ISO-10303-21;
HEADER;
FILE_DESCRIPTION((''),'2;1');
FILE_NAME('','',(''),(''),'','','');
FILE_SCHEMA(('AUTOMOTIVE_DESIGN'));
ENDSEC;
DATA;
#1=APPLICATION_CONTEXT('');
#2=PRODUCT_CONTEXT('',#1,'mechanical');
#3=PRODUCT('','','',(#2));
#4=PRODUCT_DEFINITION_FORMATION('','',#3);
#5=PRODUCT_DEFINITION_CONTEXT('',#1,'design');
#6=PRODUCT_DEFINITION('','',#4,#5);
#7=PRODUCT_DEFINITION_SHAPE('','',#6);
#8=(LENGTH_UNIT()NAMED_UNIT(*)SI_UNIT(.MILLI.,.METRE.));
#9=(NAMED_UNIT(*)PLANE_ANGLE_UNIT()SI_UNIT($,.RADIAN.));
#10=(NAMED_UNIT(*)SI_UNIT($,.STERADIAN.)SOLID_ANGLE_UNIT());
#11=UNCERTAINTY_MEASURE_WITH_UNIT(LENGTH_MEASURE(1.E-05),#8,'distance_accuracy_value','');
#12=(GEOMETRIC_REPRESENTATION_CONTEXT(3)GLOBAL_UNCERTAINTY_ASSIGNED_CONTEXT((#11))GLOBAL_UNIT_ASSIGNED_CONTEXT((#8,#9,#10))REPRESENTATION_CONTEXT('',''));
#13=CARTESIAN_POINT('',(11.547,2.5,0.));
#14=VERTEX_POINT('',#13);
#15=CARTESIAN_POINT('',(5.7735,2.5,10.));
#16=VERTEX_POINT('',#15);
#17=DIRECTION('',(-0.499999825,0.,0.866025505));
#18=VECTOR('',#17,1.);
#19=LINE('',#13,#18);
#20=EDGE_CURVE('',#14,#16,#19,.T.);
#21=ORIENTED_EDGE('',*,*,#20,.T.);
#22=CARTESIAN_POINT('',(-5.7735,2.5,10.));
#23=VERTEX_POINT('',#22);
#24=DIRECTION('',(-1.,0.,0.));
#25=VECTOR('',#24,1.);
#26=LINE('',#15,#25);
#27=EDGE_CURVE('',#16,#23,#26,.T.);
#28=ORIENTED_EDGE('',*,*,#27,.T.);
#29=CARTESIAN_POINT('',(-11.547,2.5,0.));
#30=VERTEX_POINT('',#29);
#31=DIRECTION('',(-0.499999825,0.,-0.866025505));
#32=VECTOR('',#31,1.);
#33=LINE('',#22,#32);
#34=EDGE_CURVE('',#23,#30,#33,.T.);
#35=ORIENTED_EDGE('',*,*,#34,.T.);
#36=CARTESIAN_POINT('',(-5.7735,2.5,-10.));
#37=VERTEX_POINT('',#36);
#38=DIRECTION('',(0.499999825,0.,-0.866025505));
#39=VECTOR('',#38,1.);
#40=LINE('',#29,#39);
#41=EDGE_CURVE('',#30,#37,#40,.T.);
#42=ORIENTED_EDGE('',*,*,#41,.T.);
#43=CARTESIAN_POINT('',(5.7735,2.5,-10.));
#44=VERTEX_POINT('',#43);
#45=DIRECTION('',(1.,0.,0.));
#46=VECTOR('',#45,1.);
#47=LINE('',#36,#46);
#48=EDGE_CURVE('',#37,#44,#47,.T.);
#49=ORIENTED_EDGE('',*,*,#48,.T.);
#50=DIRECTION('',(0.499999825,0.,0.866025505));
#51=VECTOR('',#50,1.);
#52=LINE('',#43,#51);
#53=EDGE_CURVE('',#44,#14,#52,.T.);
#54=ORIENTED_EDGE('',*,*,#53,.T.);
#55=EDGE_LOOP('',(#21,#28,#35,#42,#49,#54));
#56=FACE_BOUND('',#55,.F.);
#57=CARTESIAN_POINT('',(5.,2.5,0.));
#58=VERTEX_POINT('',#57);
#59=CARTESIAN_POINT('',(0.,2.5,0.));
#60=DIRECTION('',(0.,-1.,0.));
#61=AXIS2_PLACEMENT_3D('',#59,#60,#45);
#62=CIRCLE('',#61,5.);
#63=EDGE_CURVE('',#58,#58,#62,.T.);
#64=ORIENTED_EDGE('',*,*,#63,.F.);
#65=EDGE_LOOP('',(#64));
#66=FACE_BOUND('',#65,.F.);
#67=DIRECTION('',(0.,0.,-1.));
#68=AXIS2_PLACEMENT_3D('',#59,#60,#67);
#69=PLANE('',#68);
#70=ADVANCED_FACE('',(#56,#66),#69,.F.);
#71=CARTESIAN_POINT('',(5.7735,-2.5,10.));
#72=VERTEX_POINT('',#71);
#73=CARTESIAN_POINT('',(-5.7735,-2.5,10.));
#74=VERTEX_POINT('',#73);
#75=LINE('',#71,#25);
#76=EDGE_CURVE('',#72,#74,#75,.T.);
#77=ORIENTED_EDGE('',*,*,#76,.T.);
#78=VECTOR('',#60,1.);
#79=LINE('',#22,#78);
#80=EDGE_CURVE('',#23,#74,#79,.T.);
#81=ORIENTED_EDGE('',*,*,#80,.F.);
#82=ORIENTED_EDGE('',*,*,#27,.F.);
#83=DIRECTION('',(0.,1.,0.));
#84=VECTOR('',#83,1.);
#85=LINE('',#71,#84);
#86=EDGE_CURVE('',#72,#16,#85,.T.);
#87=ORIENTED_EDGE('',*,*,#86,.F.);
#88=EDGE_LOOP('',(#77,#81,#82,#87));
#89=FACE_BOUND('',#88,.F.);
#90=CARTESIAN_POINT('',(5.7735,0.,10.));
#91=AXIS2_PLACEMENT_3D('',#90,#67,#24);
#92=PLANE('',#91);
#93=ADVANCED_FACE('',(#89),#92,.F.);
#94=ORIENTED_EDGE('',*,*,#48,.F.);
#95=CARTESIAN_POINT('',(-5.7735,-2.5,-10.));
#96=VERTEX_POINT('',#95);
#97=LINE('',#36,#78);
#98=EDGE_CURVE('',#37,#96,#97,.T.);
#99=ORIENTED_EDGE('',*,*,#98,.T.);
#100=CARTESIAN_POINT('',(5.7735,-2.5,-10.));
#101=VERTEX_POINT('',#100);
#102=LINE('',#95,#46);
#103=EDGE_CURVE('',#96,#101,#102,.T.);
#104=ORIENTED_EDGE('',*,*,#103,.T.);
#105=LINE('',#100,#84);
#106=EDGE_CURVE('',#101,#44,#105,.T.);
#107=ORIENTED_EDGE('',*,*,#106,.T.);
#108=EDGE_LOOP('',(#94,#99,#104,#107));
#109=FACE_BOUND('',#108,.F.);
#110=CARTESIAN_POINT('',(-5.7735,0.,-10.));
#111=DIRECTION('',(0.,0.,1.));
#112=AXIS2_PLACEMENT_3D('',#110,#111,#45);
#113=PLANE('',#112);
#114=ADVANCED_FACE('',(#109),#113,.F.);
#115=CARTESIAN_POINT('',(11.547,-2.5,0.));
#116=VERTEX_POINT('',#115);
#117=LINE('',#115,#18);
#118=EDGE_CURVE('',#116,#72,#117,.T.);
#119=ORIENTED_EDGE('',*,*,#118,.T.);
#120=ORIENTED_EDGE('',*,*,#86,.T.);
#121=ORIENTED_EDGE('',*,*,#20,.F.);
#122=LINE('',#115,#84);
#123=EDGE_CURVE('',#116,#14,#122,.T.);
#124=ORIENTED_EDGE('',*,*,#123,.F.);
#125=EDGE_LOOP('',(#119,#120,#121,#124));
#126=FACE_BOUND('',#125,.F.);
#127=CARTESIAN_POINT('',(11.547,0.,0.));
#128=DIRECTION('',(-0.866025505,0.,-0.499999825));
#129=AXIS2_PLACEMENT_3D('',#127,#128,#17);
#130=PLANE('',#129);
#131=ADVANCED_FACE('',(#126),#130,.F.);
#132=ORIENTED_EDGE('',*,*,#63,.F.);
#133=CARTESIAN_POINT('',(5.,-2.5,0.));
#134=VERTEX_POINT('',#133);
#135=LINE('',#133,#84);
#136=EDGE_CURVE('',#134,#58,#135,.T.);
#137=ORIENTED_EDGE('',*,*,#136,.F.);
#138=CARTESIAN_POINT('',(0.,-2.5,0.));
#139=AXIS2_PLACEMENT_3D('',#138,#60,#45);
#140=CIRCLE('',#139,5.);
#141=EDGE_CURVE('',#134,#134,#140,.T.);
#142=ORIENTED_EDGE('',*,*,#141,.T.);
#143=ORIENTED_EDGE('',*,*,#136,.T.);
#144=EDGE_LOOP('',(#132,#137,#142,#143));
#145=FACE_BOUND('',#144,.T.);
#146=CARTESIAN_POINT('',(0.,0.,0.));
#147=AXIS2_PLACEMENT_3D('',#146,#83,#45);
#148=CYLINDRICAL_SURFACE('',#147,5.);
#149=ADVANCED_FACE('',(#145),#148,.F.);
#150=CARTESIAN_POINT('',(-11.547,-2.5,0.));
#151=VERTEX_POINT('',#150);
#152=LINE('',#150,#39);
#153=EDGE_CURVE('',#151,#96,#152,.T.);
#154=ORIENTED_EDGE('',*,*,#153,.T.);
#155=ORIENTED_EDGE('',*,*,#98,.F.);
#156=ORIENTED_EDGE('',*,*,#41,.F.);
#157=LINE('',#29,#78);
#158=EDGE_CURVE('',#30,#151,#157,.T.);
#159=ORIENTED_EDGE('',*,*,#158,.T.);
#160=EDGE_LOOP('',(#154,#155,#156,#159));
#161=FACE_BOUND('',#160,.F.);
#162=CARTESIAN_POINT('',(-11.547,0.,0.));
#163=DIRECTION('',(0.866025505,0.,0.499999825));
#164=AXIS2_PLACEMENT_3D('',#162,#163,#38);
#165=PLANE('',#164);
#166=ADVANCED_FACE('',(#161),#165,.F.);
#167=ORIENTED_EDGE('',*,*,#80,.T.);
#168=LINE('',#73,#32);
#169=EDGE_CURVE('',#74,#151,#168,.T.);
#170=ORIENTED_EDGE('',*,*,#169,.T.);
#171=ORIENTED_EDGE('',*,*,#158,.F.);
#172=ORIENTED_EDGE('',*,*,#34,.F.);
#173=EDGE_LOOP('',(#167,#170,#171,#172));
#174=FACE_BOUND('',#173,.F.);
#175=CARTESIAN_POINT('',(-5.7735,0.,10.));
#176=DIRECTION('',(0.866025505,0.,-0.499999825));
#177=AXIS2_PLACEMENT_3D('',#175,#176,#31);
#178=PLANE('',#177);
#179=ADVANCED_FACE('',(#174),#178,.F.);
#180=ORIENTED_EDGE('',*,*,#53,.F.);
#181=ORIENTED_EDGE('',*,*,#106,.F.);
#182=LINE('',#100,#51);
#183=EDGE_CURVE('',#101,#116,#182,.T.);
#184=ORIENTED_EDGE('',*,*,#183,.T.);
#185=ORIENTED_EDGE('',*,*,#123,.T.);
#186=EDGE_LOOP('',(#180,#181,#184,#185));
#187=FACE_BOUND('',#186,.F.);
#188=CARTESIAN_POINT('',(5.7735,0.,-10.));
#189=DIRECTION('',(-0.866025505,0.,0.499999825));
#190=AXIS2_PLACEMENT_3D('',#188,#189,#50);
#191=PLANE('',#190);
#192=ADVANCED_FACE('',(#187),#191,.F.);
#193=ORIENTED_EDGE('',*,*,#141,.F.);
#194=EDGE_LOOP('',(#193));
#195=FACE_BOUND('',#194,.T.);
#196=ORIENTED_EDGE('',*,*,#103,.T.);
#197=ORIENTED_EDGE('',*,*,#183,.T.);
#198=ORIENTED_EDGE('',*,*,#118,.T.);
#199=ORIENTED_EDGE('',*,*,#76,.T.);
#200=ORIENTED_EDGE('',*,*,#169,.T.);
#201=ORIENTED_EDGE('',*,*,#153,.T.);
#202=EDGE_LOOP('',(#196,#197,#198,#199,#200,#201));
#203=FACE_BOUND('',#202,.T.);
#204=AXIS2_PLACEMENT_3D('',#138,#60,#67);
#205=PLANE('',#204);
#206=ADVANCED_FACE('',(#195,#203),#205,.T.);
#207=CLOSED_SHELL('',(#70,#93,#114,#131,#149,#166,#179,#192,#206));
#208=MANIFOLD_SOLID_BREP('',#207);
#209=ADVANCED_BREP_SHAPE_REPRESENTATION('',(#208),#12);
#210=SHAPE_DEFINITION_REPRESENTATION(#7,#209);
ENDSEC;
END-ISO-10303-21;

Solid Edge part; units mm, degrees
sketch "Sketch1" plane through (0, 0, 0) normal (0, -1, 0) x (1, 0, 0)
  line L0 (5.7735, 10) -> (-5.7735, 10)
  line L1 (-5.7735, 10) -> (-11.547, 0)
  line L2 (-11.547, 0) -> (-5.7735, -10)
  line L3 (-5.7735, -10) -> (5.7735, -10)
  line L4 (5.7735, -10) -> (11.547, 0)
  line L5 (11.547, 0) -> (5.7735, 10)
  circle A0 centre (0, 0) radius 5
extrude "Protrusion1" add sketch "Sketch1" along normal mid plane 5
